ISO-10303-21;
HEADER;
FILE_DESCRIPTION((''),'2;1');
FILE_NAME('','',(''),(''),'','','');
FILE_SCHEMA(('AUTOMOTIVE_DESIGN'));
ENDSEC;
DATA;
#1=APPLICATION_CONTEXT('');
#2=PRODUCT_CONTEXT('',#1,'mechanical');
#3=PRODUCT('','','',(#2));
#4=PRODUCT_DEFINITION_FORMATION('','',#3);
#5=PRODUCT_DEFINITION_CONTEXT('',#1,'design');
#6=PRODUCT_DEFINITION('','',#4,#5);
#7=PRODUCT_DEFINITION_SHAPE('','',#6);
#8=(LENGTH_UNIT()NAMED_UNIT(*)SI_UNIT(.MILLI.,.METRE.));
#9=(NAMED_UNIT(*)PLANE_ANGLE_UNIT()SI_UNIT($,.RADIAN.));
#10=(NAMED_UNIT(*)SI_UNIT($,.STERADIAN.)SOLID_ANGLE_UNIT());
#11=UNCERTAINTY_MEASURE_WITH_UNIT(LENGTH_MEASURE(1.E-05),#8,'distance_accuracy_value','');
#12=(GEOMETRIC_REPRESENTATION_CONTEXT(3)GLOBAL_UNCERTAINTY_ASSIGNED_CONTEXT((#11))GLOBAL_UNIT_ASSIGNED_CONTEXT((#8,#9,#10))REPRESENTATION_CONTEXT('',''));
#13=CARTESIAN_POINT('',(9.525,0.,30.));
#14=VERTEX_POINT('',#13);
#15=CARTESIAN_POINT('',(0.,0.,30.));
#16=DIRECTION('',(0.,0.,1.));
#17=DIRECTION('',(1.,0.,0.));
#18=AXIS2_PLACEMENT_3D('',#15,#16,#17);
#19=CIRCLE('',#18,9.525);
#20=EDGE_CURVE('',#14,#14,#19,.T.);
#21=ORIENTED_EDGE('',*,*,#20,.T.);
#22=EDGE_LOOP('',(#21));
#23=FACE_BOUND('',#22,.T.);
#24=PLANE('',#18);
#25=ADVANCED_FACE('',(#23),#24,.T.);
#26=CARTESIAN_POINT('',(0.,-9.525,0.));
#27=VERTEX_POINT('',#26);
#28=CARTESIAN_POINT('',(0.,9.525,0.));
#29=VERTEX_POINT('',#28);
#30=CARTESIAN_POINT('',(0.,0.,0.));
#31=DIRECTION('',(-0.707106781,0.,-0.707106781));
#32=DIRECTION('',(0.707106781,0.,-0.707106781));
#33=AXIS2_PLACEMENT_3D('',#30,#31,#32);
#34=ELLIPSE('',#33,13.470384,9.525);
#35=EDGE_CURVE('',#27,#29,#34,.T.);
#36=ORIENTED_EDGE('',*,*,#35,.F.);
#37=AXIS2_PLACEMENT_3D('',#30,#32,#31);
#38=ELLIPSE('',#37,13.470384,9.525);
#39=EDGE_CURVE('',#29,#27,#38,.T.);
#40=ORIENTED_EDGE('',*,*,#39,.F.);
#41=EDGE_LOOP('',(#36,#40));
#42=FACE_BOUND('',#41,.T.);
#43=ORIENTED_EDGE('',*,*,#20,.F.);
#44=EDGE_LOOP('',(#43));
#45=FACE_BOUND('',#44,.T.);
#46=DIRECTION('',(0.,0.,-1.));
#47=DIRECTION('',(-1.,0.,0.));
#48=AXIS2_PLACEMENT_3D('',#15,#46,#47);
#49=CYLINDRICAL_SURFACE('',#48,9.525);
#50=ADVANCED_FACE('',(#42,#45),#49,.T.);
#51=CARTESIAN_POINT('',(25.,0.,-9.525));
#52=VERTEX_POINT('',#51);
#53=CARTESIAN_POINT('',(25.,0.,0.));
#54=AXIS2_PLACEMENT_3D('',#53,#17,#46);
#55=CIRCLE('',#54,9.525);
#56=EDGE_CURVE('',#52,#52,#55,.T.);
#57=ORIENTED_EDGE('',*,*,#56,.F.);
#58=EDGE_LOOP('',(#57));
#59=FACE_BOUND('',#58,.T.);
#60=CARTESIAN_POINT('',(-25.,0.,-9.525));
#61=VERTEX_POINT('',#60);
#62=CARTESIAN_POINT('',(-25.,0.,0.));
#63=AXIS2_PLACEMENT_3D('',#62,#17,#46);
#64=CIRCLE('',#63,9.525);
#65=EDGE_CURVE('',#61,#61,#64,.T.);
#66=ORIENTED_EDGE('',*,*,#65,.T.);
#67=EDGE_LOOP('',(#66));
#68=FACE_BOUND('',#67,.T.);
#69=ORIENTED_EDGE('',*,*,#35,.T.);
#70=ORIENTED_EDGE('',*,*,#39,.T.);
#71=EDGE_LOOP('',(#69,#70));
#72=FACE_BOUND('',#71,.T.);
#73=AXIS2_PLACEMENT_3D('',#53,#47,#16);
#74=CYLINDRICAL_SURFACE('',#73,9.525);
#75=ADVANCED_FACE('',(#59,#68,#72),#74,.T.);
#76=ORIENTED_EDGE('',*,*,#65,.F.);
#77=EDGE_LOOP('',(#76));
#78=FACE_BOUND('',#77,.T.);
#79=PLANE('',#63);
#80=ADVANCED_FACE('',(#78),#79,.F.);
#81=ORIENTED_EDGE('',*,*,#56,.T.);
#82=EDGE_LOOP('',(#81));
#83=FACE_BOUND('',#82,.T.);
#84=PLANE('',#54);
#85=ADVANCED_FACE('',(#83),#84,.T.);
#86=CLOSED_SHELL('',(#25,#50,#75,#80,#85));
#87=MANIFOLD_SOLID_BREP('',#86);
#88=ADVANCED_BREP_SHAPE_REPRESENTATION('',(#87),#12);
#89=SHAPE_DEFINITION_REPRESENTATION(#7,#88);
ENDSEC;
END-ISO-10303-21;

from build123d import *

# Parameters (mm, degrees)
CROQUIS1_R              = 9.525
SALIENTE_EXTRUIR1_DEPTH = 30
CROQUIS2_R              = 9.525
SALIENTE_EXTRUIR2_DEPTH = 25


with BuildPart() as part:
    # Croquis1 → Saliente-Extruir1 (new body)
    with BuildSketch(Plane.XY):
        Circle(CROQUIS1_R)
    extrude(amount=SALIENTE_EXTRUIR1_DEPTH)

    # Croquis2 → Saliente-Extruir2 (add, symmetric)
    with BuildSketch(Plane(origin=(0, 0, 0), x_dir=(0, 0, -1), z_dir=(1, 0, 0))):
        Circle(CROQUIS2_R)
    extrude(amount=SALIENTE_EXTRUIR2_DEPTH, both=True)


solid = part.part
